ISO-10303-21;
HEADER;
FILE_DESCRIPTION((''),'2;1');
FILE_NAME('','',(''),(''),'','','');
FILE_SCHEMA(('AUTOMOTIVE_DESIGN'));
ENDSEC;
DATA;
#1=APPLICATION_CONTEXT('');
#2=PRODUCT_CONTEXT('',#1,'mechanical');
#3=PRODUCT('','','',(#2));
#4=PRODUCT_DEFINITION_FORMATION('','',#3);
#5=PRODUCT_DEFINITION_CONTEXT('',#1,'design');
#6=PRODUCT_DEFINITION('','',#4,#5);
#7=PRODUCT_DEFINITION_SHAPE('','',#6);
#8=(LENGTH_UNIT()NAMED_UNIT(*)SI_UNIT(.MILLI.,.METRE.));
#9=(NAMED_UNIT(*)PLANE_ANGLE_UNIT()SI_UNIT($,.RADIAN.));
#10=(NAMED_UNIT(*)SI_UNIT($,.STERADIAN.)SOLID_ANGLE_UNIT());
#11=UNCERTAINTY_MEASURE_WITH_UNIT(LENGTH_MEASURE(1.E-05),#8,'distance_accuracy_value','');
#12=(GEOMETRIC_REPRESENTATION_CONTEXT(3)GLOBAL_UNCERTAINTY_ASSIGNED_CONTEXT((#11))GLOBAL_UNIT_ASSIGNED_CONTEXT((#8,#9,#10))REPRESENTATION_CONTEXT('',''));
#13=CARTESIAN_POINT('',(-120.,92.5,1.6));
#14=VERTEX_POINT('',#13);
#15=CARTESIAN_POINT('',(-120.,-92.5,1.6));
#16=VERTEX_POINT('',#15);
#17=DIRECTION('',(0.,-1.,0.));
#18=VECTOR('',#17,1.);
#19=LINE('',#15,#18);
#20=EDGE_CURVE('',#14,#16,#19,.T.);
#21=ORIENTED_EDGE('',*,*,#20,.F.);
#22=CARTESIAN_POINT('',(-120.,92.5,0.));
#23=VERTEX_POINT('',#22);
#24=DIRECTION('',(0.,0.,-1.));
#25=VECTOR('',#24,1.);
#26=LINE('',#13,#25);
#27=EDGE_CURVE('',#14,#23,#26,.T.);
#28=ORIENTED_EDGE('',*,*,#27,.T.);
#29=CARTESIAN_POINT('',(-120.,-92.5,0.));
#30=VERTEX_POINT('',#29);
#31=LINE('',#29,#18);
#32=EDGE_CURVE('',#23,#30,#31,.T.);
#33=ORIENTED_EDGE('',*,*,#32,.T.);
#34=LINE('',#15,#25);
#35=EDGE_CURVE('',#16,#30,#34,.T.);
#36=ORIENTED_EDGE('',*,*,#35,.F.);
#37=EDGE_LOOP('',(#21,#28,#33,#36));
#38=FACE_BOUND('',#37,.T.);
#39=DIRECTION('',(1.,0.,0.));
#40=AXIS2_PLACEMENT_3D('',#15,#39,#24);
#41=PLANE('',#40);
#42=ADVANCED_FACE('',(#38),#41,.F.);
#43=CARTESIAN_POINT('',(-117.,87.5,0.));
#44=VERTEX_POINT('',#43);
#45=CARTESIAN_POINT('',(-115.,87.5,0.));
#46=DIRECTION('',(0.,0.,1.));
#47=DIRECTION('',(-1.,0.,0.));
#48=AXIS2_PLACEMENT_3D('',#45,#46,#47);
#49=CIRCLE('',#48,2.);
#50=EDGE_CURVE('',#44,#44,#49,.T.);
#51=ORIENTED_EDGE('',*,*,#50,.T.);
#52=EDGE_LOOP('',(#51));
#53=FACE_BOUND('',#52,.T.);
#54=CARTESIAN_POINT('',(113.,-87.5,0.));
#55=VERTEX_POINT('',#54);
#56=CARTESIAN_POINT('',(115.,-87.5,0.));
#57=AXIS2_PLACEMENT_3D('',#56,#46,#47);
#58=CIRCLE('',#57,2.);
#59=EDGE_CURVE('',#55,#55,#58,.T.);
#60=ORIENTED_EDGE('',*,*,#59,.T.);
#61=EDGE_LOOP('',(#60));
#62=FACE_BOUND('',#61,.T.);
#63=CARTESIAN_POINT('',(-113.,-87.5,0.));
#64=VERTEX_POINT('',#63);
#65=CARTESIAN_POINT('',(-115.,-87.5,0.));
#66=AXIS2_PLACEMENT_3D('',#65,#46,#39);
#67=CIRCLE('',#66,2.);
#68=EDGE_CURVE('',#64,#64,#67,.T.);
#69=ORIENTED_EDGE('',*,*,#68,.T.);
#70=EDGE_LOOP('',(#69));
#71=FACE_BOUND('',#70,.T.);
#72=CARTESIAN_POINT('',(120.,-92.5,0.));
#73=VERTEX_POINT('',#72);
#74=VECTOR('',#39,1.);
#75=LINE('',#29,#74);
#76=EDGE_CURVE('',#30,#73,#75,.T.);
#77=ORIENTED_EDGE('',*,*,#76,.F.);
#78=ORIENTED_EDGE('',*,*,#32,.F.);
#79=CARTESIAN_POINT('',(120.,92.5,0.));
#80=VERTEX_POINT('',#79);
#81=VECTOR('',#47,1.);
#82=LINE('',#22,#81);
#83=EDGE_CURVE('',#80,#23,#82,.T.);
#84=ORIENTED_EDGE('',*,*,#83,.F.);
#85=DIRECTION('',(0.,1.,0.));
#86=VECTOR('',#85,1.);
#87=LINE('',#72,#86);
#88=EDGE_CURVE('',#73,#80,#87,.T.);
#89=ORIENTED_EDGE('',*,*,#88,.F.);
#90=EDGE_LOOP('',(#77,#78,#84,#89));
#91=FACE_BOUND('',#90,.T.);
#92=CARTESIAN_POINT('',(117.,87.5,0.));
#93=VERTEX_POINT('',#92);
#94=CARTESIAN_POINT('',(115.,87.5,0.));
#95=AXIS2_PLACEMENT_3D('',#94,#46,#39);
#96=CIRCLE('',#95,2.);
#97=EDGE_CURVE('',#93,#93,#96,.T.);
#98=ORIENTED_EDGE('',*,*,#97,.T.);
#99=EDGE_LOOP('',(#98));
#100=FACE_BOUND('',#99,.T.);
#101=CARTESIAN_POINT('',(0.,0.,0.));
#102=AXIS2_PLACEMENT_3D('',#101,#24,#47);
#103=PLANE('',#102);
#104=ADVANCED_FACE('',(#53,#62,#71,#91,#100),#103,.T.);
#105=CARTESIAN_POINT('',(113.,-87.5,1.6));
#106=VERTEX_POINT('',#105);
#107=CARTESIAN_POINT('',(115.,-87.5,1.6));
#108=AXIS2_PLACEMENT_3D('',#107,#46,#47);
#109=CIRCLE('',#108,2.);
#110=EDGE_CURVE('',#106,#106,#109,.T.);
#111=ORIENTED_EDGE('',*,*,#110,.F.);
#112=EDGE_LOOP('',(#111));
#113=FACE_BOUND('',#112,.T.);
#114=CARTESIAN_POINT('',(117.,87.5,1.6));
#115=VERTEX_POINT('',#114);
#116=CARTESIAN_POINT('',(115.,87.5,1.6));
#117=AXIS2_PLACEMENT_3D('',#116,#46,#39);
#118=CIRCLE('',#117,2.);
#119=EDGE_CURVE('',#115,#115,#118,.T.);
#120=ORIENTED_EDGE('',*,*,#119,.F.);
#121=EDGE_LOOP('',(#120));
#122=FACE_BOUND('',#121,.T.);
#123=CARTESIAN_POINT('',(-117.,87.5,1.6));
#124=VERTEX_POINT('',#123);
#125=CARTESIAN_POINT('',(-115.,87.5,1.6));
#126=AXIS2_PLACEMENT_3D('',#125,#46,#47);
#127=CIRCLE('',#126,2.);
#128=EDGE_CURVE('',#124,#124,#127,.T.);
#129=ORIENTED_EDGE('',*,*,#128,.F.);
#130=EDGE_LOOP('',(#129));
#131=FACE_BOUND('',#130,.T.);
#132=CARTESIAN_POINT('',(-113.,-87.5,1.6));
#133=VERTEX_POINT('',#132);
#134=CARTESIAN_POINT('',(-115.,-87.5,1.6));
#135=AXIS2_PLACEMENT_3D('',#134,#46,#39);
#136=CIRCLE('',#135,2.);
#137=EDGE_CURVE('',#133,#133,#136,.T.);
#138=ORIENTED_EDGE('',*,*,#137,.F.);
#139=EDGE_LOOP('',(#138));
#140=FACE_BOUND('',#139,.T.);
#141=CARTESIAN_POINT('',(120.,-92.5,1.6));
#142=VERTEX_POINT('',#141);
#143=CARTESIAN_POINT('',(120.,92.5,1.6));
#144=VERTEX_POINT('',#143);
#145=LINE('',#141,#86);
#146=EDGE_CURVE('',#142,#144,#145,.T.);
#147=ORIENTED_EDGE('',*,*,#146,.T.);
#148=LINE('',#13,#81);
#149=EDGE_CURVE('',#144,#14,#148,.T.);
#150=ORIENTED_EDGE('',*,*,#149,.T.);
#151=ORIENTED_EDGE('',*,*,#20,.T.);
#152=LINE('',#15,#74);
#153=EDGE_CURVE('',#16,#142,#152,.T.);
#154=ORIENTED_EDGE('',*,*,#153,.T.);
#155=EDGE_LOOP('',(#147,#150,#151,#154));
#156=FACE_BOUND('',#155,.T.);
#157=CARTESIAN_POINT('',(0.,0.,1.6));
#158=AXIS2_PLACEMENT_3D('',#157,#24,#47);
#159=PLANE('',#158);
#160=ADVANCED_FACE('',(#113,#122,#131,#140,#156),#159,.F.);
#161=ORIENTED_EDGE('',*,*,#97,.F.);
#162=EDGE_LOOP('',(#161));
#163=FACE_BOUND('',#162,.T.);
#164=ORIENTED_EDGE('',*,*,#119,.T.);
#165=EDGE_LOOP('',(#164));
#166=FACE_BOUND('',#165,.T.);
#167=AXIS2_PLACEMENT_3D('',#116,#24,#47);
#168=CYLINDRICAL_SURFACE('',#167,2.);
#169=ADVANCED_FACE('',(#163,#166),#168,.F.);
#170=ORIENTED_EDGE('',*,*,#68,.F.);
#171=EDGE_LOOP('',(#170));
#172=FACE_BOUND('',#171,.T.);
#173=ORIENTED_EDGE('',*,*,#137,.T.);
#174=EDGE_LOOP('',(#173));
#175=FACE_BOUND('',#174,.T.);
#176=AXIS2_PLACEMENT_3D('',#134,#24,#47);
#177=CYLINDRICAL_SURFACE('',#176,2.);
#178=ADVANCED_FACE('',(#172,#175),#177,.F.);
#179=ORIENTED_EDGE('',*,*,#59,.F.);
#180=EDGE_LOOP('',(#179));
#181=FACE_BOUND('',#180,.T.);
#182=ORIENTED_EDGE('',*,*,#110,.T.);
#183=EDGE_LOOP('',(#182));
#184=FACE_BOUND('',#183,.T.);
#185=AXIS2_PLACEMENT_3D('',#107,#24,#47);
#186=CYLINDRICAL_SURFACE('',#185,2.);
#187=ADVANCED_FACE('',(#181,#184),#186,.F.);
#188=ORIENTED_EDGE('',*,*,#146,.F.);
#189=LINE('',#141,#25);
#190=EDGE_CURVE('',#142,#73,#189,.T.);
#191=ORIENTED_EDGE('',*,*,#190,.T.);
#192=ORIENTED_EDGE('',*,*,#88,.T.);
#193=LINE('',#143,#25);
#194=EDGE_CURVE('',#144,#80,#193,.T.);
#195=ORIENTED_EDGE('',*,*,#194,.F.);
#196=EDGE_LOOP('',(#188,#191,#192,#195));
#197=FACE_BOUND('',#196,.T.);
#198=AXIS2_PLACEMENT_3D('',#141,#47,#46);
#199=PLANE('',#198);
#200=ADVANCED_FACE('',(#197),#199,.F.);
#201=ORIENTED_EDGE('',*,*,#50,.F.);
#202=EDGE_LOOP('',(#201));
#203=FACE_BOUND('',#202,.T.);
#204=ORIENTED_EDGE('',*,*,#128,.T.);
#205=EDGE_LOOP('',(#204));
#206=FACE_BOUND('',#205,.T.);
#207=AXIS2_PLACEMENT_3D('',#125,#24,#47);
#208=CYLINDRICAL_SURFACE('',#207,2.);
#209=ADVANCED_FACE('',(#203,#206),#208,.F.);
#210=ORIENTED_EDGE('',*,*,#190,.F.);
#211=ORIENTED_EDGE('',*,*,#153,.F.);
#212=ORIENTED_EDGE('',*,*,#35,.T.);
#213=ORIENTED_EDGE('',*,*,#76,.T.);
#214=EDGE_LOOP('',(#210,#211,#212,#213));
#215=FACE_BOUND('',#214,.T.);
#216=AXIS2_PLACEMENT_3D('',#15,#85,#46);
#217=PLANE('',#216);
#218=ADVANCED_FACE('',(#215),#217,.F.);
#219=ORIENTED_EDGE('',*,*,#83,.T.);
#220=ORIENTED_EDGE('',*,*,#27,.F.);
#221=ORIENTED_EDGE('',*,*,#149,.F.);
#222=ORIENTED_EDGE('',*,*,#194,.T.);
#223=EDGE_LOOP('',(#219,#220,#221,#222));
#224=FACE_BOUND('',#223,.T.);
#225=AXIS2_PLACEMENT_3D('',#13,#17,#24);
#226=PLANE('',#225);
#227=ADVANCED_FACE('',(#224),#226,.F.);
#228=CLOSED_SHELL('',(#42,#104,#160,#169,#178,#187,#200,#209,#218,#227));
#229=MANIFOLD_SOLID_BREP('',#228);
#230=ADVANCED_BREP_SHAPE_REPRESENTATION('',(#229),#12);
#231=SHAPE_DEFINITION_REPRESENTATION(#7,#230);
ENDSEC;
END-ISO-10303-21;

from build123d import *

# Parameters (mm, degrees)
SKETCH1_W           = 240
SKETCH1_H           = 185
SKETCH1_R           = 2
BOSS_EXTRUDE1_DEPTH = 1.6


with BuildPart() as part:
    # Sketch1 → Boss-Extrude1 (new body)
    with BuildSketch(Plane.XY):
        Rectangle(SKETCH1_W, SKETCH1_H)
        with Locations((115, 87.5)):
            Circle(SKETCH1_R, mode=Mode.SUBTRACT)
        with Locations(Location((115, -87.5, 0), (0, 0, 180))):
            Circle(SKETCH1_R, mode=Mode.SUBTRACT)
        with Locations((-115, -87.5)):
            Circle(SKETCH1_R, mode=Mode.SUBTRACT)
        with Locations(Location((-115, 87.5, 0), (0, 0, 180))):
            Circle(SKETCH1_R, mode=Mode.SUBTRACT)
    extrude(amount=BOSS_EXTRUDE1_DEPTH)


solid = part.part
